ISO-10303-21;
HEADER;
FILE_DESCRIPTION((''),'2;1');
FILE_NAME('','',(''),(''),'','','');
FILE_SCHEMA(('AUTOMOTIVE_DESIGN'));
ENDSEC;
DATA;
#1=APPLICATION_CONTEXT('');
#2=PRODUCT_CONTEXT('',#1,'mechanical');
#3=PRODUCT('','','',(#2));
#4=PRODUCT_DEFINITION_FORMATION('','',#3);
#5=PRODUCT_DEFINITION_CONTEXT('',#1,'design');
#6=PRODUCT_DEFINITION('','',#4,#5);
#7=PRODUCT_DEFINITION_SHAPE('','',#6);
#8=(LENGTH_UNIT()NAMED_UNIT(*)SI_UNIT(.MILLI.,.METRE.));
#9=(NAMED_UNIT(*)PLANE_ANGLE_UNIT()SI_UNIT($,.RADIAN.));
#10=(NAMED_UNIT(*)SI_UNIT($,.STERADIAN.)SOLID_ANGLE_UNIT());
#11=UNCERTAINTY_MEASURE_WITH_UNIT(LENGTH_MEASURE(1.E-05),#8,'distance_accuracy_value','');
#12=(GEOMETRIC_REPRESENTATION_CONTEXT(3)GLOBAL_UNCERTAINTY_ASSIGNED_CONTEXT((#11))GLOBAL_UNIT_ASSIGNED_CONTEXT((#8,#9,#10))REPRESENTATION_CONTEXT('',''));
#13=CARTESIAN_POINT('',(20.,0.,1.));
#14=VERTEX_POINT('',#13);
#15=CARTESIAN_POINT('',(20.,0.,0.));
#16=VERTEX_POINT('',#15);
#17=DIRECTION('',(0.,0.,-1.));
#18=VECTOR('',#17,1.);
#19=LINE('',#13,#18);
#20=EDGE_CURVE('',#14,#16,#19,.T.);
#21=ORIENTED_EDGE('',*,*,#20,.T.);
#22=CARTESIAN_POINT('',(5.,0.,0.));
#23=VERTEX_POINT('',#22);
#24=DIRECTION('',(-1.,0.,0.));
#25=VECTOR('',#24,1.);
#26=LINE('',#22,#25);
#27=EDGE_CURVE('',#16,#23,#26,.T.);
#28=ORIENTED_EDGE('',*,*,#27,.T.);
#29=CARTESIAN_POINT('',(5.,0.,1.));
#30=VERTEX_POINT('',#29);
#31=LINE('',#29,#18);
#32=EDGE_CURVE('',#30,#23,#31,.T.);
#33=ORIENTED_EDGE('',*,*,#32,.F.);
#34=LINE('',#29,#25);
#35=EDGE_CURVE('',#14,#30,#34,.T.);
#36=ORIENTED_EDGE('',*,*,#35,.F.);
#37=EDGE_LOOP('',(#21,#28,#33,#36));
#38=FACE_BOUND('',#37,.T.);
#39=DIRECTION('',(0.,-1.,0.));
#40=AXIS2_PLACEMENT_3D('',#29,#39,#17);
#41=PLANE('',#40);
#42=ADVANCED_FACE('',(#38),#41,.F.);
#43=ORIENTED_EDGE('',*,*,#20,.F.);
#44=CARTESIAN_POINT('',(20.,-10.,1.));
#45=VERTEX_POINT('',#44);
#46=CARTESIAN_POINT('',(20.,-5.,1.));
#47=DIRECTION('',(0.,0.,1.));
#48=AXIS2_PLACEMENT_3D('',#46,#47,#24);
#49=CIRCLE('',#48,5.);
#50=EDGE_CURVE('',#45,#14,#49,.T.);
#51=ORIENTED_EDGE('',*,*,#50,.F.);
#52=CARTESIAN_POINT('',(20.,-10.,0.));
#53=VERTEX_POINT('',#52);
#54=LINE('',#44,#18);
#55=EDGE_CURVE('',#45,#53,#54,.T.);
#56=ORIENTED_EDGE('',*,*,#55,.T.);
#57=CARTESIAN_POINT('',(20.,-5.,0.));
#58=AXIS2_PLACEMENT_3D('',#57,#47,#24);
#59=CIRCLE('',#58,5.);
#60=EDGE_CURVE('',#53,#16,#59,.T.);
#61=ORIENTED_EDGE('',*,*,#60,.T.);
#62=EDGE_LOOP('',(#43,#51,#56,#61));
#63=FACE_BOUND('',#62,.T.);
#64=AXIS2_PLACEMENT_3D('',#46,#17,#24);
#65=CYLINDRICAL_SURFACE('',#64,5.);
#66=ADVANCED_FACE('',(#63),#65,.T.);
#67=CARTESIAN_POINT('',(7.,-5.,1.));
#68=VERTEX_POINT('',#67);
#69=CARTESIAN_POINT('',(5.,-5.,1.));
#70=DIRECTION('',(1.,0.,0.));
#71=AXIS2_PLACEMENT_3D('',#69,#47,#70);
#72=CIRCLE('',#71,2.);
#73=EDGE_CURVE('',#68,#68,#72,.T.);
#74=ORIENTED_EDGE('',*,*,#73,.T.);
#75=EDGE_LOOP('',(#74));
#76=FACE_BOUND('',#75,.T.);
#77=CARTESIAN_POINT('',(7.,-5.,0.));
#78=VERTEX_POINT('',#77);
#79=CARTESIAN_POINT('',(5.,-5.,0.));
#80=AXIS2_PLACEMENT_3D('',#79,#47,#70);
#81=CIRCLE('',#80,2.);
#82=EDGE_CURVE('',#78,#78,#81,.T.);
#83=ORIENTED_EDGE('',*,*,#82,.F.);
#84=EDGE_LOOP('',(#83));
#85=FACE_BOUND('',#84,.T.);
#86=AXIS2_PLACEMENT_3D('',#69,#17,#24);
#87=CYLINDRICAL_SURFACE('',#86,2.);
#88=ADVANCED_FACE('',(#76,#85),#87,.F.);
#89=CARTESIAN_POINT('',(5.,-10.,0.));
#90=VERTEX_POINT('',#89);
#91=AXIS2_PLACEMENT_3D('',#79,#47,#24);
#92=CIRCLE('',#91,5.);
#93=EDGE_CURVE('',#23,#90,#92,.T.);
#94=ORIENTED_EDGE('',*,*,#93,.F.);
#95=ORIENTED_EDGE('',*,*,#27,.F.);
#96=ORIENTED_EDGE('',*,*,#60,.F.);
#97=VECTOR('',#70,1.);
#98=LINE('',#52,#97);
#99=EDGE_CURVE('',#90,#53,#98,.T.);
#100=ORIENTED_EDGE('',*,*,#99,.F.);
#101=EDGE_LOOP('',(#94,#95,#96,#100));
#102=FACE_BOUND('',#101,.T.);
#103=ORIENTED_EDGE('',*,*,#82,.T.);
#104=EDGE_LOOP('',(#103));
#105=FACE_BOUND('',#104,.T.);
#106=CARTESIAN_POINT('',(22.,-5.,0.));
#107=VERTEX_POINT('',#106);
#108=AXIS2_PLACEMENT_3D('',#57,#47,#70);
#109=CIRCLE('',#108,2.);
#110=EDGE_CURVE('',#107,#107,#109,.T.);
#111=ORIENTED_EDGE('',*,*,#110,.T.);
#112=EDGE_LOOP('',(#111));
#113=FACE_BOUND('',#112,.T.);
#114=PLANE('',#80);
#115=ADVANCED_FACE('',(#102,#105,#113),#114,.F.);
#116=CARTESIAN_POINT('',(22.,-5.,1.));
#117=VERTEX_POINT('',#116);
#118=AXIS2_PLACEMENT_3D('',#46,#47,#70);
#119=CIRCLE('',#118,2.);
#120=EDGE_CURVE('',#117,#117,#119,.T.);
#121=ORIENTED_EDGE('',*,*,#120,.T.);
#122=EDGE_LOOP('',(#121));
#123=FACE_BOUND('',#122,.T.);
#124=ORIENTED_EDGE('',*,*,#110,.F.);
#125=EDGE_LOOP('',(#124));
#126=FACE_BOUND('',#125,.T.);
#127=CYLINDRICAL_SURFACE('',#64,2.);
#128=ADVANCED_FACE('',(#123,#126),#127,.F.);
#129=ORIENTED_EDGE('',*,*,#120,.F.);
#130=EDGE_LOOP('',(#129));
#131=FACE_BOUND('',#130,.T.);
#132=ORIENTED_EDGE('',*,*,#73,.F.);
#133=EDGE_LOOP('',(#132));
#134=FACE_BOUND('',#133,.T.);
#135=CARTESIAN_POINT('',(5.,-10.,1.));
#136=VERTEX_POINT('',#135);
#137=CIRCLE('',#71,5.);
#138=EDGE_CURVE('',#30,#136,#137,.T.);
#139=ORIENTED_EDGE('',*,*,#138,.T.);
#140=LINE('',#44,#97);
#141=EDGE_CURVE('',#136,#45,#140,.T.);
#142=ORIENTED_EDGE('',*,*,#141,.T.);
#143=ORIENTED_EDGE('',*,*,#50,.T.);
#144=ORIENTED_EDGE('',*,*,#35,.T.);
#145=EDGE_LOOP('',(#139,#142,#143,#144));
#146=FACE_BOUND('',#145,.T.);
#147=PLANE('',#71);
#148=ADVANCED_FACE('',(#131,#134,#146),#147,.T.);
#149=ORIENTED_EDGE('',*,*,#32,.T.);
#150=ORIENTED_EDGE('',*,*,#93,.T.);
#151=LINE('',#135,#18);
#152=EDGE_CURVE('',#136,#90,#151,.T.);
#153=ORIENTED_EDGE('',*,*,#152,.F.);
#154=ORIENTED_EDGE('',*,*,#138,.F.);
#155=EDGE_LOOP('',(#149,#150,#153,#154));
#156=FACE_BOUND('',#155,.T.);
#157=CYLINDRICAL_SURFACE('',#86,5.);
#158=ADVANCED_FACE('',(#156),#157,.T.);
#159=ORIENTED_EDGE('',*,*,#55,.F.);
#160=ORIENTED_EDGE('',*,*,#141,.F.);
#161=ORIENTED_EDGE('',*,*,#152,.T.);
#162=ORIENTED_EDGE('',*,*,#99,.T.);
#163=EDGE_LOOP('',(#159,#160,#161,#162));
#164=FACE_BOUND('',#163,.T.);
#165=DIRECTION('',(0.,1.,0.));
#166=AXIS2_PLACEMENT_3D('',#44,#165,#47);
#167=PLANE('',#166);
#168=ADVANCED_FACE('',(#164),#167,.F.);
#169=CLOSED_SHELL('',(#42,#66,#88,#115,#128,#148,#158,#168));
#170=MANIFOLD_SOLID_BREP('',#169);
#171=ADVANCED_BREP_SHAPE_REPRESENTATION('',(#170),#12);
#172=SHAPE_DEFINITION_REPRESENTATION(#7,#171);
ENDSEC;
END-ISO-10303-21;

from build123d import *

# Parameters (mm, degrees)
SKETCH_1_R      = 2
EXTRUDE_1_DEPTH = 1


with BuildPart() as part:
    # Эскиз1 → Бобышка-Вытянуть1 (new body)
    with BuildSketch(Plane.XY):
        with BuildLine():
            Line((5, 0), (20, 0))
            ThreePointArc((20, 0), (23.535533906, -1.464466094), (25, -5))
            ThreePointArc((25, -5), (23.535533906, -8.535533906), (20, -10))
            Line((20, -10), (5, -10))
            ThreePointArc((5, -10), (1.464466094, -8.535533906), (0, -5))
            ThreePointArc((0, -5), (1.464466094, -1.464466094), (5, 0))
        make_face()
        with Locations((5, -5)):
            Circle(SKETCH_1_R, mode=Mode.SUBTRACT)
        with Locations((20, -5)):
            Circle(SKETCH_1_R, mode=Mode.SUBTRACT)
    extrude(amount=EXTRUDE_1_DEPTH)


solid = part.part
